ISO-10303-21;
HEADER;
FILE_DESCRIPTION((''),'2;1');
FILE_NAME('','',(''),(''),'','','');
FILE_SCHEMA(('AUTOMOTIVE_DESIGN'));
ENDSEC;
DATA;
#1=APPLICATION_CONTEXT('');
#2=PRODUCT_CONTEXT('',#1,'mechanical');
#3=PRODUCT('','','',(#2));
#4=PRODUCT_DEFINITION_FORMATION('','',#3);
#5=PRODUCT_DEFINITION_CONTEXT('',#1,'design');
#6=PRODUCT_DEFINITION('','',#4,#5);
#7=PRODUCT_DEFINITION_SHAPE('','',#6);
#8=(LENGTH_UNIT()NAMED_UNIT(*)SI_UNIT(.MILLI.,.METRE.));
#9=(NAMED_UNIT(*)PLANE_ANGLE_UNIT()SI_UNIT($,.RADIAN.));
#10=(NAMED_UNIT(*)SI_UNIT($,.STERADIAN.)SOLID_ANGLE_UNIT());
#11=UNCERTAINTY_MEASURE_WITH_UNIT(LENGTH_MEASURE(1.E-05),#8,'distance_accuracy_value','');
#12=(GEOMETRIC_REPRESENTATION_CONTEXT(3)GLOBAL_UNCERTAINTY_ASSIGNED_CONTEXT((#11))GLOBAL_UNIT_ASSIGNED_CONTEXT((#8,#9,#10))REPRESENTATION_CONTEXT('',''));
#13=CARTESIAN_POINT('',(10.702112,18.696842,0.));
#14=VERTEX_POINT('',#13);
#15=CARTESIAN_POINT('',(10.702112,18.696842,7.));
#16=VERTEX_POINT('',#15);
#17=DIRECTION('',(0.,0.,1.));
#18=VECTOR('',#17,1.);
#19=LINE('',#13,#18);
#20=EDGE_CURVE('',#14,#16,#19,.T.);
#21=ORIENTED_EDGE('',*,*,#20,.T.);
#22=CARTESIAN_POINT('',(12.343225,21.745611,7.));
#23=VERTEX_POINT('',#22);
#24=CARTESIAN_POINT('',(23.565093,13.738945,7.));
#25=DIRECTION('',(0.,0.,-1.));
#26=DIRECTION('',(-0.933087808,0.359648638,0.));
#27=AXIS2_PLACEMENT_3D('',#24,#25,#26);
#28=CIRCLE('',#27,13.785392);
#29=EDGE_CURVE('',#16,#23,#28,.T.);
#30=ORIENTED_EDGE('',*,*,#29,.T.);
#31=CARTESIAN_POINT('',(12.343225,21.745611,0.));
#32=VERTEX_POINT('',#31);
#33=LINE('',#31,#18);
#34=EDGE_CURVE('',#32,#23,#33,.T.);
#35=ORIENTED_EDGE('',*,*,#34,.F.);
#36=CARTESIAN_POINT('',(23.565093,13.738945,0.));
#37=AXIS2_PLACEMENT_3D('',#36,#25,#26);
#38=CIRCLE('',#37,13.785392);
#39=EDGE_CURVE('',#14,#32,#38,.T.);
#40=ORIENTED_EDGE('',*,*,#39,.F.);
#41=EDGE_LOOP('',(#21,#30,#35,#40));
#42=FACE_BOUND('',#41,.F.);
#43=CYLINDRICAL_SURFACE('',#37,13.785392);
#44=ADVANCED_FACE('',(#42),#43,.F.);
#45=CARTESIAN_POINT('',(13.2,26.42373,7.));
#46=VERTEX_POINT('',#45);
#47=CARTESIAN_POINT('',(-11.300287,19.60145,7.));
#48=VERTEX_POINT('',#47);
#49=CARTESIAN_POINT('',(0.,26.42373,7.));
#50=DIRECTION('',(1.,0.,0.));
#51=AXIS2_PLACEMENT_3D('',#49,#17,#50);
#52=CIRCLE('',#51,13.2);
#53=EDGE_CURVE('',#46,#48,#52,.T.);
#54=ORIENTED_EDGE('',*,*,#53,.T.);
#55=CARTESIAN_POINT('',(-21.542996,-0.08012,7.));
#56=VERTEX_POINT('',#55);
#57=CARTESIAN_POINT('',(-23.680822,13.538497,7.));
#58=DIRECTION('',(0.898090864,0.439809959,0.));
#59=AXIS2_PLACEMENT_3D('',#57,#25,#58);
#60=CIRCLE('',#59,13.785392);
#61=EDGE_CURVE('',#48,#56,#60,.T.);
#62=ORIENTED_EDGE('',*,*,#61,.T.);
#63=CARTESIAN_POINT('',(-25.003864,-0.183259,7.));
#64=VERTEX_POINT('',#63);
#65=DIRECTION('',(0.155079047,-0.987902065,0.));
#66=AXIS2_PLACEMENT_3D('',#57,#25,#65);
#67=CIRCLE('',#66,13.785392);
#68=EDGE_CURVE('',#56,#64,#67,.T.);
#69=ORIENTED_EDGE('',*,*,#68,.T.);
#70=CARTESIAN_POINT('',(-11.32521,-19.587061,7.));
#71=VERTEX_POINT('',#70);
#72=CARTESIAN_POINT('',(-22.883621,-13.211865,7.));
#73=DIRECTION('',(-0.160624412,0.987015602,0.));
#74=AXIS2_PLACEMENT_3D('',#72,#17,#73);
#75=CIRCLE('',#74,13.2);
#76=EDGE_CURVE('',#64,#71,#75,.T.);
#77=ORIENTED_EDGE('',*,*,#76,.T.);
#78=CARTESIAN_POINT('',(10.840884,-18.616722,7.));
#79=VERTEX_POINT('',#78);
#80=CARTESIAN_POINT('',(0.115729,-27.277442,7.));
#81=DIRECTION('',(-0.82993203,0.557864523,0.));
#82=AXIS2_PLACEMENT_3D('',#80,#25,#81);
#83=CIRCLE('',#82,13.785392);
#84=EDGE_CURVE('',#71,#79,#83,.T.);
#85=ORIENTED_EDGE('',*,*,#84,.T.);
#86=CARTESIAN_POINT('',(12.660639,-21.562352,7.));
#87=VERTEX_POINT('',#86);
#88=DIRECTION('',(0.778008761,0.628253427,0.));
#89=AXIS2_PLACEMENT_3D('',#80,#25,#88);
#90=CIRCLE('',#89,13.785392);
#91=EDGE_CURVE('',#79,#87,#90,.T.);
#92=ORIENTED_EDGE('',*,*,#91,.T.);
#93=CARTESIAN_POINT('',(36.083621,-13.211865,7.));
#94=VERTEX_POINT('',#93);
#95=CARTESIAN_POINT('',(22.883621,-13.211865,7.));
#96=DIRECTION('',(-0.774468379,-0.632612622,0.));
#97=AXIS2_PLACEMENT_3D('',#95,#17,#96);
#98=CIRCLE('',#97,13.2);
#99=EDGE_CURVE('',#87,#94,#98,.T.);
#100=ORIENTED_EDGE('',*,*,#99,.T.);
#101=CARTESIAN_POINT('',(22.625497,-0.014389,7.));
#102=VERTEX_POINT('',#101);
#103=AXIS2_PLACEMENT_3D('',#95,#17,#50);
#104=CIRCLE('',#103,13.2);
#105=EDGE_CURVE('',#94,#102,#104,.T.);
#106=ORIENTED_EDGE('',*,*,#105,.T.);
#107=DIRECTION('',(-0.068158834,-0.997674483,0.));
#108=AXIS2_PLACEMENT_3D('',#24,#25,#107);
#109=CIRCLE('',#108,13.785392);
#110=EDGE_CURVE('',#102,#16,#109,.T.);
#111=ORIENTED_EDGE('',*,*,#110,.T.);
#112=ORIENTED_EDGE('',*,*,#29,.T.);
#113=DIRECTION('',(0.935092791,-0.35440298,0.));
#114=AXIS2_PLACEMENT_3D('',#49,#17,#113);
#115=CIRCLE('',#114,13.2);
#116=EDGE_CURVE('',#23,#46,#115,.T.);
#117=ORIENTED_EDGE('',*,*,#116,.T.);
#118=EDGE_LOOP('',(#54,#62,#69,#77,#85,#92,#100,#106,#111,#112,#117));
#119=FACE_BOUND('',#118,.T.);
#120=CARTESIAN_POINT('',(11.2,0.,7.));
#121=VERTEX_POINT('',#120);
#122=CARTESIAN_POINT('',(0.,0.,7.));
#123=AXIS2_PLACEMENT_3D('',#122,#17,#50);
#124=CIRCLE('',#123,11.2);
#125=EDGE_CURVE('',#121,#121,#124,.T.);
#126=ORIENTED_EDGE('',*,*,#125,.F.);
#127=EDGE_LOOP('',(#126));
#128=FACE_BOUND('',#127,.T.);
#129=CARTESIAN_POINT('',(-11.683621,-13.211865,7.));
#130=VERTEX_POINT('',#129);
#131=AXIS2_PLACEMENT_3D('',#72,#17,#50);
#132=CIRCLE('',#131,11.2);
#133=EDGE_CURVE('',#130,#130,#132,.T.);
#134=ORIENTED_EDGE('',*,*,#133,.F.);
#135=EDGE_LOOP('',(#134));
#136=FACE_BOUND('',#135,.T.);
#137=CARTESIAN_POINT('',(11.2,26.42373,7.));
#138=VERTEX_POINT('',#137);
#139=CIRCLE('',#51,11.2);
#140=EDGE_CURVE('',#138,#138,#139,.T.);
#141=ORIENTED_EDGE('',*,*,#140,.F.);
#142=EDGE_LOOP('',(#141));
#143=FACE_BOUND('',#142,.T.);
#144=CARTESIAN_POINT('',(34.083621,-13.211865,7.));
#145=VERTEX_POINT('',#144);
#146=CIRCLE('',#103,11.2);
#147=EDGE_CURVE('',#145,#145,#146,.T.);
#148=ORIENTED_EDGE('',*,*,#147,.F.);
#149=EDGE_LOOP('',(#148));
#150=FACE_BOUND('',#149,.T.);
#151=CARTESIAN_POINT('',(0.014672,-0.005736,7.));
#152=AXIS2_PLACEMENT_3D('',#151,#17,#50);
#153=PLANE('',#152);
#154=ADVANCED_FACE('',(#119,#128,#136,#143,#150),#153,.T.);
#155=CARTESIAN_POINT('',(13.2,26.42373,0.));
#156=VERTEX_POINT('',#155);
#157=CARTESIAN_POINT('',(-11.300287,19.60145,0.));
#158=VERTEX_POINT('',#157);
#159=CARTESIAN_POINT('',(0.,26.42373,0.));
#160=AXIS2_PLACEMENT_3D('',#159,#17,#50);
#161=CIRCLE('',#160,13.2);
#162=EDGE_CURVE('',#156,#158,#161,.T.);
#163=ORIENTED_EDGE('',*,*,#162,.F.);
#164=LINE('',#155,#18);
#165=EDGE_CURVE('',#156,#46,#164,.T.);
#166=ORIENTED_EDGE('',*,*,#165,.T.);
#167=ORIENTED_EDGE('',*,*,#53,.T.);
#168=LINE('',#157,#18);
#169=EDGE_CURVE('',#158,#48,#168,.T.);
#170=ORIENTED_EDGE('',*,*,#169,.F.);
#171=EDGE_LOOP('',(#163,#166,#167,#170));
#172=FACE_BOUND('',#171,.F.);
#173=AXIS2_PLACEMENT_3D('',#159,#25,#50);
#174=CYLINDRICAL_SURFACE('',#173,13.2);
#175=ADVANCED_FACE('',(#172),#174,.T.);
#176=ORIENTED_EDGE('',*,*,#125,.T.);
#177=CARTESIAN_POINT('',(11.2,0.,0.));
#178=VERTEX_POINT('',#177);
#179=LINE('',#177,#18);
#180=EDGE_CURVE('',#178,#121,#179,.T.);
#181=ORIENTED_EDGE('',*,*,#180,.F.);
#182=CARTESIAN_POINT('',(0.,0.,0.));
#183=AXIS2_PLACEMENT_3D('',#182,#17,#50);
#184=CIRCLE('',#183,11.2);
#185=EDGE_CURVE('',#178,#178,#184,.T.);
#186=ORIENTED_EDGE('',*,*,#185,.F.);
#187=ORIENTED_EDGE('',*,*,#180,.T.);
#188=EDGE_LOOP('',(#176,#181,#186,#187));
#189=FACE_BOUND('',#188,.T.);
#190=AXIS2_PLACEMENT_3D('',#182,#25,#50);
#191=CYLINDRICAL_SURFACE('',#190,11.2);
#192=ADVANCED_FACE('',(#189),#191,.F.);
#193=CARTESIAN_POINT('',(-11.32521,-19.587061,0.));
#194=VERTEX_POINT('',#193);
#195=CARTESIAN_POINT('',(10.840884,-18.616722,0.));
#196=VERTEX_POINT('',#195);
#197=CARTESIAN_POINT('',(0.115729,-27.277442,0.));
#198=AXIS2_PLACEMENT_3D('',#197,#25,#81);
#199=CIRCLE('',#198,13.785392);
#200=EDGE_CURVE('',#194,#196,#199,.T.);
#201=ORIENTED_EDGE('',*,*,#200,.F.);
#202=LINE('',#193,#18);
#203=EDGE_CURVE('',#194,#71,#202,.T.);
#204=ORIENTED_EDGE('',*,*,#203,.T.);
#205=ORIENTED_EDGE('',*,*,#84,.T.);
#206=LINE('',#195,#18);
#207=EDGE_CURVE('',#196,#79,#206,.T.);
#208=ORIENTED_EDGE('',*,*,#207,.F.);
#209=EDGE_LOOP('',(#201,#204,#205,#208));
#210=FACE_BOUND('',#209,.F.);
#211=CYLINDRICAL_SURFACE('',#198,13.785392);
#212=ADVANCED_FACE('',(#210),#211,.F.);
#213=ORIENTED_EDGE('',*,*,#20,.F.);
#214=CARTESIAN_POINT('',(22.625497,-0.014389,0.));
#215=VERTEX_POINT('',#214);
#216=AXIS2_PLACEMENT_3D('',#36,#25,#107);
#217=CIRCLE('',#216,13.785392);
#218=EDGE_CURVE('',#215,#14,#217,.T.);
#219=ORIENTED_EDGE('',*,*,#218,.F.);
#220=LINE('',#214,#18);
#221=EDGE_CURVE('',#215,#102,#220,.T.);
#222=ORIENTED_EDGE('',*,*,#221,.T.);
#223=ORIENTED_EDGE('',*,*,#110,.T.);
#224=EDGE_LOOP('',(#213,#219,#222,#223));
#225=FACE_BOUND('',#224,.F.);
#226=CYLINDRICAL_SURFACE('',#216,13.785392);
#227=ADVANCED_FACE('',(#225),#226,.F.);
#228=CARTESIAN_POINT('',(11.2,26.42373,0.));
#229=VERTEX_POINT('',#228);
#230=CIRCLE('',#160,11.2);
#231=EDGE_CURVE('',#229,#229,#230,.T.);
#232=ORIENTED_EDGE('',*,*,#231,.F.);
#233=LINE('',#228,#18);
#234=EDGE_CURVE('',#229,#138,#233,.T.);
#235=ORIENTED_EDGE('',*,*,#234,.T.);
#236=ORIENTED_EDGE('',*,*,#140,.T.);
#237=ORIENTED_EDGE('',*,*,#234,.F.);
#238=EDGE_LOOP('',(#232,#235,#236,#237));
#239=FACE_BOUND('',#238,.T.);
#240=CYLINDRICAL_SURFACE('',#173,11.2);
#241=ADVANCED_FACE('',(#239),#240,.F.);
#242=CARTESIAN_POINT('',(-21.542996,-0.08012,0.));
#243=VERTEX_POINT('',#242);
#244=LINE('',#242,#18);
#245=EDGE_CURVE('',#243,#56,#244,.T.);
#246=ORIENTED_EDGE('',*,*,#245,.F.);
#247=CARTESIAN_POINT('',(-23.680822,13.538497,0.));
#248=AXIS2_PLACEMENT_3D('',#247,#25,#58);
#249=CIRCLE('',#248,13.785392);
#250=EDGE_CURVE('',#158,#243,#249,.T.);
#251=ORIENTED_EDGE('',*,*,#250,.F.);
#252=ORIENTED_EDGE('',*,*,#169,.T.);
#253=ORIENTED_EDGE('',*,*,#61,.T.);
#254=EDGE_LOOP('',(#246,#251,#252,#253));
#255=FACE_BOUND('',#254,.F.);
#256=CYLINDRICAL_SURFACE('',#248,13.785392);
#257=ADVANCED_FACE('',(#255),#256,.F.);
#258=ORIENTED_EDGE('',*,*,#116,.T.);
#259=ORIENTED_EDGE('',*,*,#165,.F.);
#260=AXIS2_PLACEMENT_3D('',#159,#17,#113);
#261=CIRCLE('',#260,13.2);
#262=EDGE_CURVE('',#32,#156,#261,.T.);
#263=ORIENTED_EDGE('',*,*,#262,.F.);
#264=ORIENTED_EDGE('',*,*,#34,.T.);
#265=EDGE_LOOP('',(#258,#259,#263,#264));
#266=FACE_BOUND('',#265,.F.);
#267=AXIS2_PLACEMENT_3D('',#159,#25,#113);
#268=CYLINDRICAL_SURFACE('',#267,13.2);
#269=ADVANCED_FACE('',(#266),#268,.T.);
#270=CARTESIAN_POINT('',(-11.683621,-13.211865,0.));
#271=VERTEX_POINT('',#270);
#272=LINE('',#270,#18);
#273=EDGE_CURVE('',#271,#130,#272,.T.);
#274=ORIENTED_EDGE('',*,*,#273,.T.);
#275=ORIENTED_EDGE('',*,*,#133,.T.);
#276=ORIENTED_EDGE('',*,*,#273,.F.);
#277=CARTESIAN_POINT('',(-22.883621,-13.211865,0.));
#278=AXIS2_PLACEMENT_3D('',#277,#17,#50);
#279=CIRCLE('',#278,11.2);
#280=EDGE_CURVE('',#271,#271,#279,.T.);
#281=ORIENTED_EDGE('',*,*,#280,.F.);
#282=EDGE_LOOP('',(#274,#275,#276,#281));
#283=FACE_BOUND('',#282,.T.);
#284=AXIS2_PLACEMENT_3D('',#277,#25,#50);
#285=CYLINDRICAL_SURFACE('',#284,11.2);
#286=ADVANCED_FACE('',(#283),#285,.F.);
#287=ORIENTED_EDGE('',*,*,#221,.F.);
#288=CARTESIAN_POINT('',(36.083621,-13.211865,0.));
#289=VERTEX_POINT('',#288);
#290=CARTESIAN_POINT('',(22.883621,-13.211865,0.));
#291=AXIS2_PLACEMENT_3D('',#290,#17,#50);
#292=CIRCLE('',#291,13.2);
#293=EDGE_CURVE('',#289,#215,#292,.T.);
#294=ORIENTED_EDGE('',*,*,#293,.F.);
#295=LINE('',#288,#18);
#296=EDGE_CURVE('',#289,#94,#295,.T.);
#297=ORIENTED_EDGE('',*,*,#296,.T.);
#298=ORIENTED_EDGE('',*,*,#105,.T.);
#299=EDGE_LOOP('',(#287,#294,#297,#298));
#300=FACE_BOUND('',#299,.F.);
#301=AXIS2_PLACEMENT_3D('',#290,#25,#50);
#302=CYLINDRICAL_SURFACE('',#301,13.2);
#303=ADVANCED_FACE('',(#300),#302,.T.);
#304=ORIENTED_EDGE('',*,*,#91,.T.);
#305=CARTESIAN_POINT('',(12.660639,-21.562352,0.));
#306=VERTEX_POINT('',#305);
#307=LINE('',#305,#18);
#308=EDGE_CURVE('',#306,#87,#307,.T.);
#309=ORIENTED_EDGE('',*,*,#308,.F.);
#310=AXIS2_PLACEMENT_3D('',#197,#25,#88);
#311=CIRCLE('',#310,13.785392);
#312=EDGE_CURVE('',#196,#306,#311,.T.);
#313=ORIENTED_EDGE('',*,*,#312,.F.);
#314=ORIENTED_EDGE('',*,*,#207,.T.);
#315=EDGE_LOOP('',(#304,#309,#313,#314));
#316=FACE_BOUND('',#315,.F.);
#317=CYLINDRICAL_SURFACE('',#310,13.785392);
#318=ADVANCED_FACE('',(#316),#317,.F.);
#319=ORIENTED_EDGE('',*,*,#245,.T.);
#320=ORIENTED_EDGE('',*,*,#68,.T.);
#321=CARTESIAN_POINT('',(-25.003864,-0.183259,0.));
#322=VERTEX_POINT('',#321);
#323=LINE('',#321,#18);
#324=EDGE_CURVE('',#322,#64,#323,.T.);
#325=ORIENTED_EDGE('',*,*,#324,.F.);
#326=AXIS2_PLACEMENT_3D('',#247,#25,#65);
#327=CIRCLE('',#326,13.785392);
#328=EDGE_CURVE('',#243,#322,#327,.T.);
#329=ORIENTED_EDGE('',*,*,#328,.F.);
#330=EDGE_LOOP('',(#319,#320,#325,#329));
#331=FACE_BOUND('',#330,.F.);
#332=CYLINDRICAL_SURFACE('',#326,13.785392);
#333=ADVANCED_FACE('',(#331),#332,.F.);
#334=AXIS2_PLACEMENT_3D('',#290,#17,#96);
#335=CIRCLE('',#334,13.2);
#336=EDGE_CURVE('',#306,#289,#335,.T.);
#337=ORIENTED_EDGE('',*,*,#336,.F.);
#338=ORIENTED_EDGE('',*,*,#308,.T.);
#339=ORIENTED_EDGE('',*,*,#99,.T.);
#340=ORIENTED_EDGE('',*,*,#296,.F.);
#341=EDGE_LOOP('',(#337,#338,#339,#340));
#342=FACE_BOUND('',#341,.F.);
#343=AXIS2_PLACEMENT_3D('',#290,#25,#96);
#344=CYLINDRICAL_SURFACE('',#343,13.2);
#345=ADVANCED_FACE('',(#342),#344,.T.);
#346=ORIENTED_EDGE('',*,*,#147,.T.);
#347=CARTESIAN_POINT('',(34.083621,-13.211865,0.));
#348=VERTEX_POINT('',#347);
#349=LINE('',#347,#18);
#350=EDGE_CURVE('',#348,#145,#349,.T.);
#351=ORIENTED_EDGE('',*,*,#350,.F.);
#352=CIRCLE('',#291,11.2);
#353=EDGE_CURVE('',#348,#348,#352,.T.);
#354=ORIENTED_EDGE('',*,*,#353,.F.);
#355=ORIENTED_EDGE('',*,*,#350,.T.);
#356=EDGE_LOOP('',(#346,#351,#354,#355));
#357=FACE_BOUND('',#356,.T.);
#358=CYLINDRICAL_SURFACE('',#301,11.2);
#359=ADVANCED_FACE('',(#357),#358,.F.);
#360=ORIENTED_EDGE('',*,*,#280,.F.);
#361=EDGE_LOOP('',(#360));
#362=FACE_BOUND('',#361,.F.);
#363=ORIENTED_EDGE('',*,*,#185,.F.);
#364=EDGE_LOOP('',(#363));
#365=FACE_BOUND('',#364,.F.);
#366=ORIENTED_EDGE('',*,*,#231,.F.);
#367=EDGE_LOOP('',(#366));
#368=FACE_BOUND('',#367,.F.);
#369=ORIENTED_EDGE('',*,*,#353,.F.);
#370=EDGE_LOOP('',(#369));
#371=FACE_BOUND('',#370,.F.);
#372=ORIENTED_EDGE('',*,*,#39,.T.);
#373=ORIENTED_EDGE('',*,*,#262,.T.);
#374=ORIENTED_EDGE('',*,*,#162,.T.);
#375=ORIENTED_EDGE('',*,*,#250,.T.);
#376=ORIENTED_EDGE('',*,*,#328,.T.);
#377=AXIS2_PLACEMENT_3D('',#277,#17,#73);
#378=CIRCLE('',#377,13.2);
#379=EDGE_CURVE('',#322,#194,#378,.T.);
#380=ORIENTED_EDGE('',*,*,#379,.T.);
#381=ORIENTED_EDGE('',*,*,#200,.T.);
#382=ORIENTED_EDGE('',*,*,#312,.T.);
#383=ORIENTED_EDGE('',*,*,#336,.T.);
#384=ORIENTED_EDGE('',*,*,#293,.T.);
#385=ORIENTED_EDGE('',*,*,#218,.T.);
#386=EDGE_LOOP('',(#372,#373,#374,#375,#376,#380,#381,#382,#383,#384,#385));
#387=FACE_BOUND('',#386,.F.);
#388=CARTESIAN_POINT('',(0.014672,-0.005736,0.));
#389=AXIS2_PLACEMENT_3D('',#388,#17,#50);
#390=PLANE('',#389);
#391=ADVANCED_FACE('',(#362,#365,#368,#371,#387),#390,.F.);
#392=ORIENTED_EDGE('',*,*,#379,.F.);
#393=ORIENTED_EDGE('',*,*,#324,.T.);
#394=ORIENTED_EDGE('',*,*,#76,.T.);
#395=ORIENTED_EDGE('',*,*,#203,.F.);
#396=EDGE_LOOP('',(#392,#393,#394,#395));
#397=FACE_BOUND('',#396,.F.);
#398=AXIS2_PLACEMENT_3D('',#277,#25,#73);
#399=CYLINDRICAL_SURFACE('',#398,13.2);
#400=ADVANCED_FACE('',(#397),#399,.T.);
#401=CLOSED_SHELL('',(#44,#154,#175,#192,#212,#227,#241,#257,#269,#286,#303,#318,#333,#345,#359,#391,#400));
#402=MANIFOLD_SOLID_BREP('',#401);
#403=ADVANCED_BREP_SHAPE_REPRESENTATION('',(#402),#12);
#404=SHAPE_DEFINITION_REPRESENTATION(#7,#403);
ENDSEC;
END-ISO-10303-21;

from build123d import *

# Parameters (mm, degrees)
F0_R     = 11.2
F1_DEPTH = 7


with BuildPart() as f1:
    # F0 (on Top) → F1 (new body)
    with BuildSketch(Plane.XY):
        with BuildLine():
            ThreePointArc((10.7021122198, 18.6968422234), (-0.5422472508, 13.2348722376), (-11.3002873201, 19.6014498033))
            ThreePointArc((-11.3002873201, 19.6014498033), (-11.4523002147, 7.174513382), (-21.5429964459, -0.0801200552))
            ThreePointArc((-21.5429964459, -0.0801200552), (-13.0872891968, -4.3647255945), (-9.6836214048, -13.2118649781))
            ThreePointArc((-9.6836214048, -13.2118649781), (-10.1006046851, -16.5034426461), (-11.3252098206, -19.5870607909))
            ThreePointArc((-11.3252098206, -19.5870607909), (-0.4871607413, -13.5052396087), (10.8408842261, -18.6167221682))
            ThreePointArc((10.8408842261, -18.6167221682), (11.7328591991, -6.1478362245), (22.6254971407, -0.0143890124))
            ThreePointArc((22.6254971407, -0.0143890124), (11.939460956, 6.3307262267), (10.7021122198, 18.6968422234))
        make_face()
        Circle(F0_R, mode=Mode.SUBTRACT)
        with BuildLine():
            ThreePointArc((36.0836214048, -13.2118649781), (32.1257196436, -3.7872365959), (22.6254971407, -0.0143890124))
            ThreePointArc((22.6254971407, -0.0143890124), (11.7328591991, -6.1478362245), (10.8408842261, -18.6167221682))
            ThreePointArc((10.8408842261, -18.6167221682), (11.8436088022, -20.0321775662), (12.6606387996, -21.5623515899))
            ThreePointArc((12.6606387996, -21.5623515899), (27.3162633715, -25.6453554451), (36.0836214048, -13.2118649781))
        make_face()
        with Locations((22.8836214048, -13.2118649781)):
            Circle(F0_R, mode=Mode.SUBTRACT)
        with BuildLine():
            ThreePointArc((-9.6836214048, -13.2118649781), (-13.0872891968, -4.3647255945), (-21.5429964459, -0.0801200552))
            ThreePointArc((-21.5429964459, -0.0801200552), (-23.2701790666, -0.2407773121), (-25.0038636419, -0.1832590336))
            ThreePointArc((-25.0038636419, -0.1832590336), (-33.6723488929, -20.8173471578), (-11.3252098206, -19.5870607909))
            ThreePointArc((-11.3252098206, -19.5870607909), (-10.1006046851, -16.5034426461), (-9.6836214048, -13.2118649781))
        make_face()
        with Locations((-22.8836214048, -13.2118649781)):
            Circle(F0_R, mode=Mode.SUBTRACT)
        with BuildLine():
            ThreePointArc((12.3432248424, 21.7456106235), (12.9840395856, 24.0457652717), (13.2, 26.4237299562))
            ThreePointArc((13.2, 26.4237299562), (-3.5409184808, 39.1399360064), (-11.3002873201, 19.6014498033))
            ThreePointArc((-11.3002873201, 19.6014498033), (-0.5422472508, 13.2348722376), (10.7021122198, 18.6968422234))
            ThreePointArc((10.7021122198, 18.6968422234), (11.4265702643, 20.2729548783), (12.3432248424, 21.7456106235))
        make_face()
        with Locations((0, 26.4237299562)):
            Circle(F0_R, mode=Mode.SUBTRACT)
    extrude(amount=F1_DEPTH)


solid = f1.part
